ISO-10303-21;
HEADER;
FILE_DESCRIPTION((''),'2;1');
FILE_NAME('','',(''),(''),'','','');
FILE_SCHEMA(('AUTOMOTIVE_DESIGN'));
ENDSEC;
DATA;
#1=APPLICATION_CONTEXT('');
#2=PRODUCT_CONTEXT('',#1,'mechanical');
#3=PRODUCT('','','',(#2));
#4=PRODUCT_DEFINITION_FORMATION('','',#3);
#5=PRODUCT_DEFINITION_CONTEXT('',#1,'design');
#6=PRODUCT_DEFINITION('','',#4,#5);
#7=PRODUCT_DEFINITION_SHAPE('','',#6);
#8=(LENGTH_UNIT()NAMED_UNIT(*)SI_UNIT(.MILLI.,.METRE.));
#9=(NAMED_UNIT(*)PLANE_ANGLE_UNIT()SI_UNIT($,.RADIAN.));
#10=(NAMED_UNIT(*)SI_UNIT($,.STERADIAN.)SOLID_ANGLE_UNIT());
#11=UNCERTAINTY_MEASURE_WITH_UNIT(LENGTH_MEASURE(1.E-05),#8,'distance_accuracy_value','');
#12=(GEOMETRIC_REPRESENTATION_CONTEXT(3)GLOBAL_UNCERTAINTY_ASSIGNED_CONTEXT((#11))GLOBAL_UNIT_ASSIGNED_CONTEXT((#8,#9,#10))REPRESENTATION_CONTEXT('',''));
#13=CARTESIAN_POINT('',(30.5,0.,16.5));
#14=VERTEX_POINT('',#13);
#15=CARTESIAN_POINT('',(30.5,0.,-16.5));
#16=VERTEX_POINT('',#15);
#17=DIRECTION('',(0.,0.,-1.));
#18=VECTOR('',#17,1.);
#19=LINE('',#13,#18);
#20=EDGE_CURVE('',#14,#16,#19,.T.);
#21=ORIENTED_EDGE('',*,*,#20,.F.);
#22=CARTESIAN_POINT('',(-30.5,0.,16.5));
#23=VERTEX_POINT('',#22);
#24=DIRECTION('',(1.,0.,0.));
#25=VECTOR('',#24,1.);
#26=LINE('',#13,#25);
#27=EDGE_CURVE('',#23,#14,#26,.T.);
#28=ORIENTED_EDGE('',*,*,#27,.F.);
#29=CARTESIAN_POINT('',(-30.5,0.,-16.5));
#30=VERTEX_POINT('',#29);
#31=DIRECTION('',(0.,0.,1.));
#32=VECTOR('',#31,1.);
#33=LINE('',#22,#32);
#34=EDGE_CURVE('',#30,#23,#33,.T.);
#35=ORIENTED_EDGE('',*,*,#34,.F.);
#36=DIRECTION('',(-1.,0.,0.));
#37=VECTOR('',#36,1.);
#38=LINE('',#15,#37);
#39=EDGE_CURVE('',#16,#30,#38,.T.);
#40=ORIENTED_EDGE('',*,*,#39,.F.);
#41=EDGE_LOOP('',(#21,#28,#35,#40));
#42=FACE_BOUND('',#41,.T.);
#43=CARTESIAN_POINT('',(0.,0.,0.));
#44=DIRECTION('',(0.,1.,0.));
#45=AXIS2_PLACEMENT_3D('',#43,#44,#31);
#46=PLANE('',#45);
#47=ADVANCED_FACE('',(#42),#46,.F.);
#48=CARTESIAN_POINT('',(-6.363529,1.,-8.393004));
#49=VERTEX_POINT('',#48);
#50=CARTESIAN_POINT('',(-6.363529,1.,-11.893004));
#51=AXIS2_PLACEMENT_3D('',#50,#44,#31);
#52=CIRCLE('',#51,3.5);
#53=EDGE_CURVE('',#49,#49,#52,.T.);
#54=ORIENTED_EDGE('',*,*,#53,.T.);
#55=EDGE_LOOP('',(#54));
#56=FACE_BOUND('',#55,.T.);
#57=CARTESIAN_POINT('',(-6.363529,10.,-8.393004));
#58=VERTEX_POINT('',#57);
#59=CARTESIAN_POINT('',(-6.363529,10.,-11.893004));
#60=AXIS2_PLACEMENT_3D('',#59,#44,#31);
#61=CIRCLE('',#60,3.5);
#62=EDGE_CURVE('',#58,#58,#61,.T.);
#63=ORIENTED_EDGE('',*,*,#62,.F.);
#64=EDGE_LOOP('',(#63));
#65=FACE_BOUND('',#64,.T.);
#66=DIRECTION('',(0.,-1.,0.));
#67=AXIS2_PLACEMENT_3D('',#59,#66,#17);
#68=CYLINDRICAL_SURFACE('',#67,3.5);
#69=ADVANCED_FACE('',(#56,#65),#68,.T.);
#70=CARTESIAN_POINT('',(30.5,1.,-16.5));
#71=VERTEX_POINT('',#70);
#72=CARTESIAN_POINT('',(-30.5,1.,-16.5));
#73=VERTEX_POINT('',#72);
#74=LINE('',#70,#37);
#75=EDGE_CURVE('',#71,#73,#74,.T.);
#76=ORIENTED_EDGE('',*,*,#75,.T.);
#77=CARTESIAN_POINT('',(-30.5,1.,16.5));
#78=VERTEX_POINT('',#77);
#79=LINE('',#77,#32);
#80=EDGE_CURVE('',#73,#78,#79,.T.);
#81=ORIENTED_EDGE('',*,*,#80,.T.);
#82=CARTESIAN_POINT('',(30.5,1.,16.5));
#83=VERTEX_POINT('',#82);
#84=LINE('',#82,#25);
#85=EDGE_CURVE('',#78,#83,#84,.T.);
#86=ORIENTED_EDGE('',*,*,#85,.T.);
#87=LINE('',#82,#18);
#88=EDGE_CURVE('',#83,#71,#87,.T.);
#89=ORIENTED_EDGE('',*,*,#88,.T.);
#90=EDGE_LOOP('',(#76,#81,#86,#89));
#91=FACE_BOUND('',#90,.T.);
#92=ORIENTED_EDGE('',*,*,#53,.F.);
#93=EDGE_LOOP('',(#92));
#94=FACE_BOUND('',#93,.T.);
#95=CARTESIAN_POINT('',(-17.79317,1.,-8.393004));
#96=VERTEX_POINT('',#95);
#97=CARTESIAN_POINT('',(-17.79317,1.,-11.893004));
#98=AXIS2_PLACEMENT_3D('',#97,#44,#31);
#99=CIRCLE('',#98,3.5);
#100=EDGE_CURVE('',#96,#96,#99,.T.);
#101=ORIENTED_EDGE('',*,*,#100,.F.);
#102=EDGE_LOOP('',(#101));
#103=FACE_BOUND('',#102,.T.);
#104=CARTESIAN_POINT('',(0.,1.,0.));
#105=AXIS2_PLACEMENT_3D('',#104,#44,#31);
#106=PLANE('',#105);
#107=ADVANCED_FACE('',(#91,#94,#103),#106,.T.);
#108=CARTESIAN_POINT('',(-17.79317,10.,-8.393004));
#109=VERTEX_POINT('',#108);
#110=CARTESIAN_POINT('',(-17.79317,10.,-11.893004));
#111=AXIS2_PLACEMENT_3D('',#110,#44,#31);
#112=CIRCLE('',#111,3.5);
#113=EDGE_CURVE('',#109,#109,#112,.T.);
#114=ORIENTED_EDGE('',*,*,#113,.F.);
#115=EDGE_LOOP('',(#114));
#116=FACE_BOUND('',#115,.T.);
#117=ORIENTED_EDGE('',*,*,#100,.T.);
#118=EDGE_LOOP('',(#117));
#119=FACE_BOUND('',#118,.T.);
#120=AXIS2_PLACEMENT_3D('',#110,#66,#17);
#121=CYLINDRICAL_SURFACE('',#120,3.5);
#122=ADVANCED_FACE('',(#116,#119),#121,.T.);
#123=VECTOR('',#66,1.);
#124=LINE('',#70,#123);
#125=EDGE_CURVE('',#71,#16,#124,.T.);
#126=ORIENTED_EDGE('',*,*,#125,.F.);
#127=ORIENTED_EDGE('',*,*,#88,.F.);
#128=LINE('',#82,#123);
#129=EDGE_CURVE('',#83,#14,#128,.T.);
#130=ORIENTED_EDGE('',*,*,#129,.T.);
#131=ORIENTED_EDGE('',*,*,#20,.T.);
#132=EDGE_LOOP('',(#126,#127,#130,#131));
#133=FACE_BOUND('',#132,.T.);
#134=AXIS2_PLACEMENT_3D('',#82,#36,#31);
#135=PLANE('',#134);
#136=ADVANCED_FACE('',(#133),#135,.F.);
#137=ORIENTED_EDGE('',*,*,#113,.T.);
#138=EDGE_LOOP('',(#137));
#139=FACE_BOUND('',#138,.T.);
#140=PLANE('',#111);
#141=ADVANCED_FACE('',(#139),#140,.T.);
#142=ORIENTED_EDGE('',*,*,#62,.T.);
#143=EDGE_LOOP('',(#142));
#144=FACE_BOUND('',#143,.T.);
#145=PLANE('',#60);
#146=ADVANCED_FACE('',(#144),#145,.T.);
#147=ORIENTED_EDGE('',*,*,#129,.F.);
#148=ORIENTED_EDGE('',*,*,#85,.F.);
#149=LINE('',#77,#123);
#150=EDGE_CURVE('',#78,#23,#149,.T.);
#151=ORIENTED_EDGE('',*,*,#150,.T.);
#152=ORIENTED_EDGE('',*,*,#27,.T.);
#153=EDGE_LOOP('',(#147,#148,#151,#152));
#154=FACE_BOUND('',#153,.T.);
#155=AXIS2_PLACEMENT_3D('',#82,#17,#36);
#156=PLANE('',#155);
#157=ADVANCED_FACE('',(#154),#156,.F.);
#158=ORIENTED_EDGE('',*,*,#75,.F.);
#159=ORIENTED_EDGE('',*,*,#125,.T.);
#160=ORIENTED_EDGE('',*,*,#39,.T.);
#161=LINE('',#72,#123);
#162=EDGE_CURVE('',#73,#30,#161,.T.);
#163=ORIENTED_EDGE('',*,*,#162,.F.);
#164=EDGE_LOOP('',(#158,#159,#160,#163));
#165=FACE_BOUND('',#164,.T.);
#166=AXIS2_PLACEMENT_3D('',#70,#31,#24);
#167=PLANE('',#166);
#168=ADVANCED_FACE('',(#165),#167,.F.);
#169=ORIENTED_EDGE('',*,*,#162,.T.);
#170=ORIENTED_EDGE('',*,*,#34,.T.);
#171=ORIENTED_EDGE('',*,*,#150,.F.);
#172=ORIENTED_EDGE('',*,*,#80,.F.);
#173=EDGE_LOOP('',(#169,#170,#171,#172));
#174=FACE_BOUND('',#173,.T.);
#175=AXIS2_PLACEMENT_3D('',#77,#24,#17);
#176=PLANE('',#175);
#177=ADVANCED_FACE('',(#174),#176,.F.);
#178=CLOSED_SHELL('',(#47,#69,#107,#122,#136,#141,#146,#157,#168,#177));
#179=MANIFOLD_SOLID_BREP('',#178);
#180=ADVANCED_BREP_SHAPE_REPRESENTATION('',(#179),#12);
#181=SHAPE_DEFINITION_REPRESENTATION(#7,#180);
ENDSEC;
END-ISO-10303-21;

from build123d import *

# Parameters (mm, degrees)
SKETCH1_W           = 61
SKETCH1_H           = 33
BOSS_EXTRUDE1_DEPTH = 1
SKETCH2_R           = 3.5
BOSS_EXTRUDE2_DEPTH = 9


with BuildPart() as part:
    # Sketch1 → Boss-Extrude1 (new body)
    with BuildSketch(Plane(origin=(0, 0, 0), x_dir=(1, 0, 0), z_dir=(0, 1, 0))):
        Rectangle(SKETCH1_W, SKETCH1_H)
    extrude(amount=BOSS_EXTRUDE1_DEPTH)

    # Sketch2 → Boss-Extrude2 (add)
    with BuildSketch(Plane(origin=(0, 1, 0), x_dir=(1, 0, 0), z_dir=(0, 1, 0))):
        with Locations(Location((-17.793169793, 11.893004115, 0), (0, 0, 270))):
            Circle(SKETCH2_R)
        with Locations(Location((-6.363529475, 11.893004115, 0), (0, 0, 270))):
            Circle(SKETCH2_R)
    extrude(amount=BOSS_EXTRUDE2_DEPTH)


solid = part.part
